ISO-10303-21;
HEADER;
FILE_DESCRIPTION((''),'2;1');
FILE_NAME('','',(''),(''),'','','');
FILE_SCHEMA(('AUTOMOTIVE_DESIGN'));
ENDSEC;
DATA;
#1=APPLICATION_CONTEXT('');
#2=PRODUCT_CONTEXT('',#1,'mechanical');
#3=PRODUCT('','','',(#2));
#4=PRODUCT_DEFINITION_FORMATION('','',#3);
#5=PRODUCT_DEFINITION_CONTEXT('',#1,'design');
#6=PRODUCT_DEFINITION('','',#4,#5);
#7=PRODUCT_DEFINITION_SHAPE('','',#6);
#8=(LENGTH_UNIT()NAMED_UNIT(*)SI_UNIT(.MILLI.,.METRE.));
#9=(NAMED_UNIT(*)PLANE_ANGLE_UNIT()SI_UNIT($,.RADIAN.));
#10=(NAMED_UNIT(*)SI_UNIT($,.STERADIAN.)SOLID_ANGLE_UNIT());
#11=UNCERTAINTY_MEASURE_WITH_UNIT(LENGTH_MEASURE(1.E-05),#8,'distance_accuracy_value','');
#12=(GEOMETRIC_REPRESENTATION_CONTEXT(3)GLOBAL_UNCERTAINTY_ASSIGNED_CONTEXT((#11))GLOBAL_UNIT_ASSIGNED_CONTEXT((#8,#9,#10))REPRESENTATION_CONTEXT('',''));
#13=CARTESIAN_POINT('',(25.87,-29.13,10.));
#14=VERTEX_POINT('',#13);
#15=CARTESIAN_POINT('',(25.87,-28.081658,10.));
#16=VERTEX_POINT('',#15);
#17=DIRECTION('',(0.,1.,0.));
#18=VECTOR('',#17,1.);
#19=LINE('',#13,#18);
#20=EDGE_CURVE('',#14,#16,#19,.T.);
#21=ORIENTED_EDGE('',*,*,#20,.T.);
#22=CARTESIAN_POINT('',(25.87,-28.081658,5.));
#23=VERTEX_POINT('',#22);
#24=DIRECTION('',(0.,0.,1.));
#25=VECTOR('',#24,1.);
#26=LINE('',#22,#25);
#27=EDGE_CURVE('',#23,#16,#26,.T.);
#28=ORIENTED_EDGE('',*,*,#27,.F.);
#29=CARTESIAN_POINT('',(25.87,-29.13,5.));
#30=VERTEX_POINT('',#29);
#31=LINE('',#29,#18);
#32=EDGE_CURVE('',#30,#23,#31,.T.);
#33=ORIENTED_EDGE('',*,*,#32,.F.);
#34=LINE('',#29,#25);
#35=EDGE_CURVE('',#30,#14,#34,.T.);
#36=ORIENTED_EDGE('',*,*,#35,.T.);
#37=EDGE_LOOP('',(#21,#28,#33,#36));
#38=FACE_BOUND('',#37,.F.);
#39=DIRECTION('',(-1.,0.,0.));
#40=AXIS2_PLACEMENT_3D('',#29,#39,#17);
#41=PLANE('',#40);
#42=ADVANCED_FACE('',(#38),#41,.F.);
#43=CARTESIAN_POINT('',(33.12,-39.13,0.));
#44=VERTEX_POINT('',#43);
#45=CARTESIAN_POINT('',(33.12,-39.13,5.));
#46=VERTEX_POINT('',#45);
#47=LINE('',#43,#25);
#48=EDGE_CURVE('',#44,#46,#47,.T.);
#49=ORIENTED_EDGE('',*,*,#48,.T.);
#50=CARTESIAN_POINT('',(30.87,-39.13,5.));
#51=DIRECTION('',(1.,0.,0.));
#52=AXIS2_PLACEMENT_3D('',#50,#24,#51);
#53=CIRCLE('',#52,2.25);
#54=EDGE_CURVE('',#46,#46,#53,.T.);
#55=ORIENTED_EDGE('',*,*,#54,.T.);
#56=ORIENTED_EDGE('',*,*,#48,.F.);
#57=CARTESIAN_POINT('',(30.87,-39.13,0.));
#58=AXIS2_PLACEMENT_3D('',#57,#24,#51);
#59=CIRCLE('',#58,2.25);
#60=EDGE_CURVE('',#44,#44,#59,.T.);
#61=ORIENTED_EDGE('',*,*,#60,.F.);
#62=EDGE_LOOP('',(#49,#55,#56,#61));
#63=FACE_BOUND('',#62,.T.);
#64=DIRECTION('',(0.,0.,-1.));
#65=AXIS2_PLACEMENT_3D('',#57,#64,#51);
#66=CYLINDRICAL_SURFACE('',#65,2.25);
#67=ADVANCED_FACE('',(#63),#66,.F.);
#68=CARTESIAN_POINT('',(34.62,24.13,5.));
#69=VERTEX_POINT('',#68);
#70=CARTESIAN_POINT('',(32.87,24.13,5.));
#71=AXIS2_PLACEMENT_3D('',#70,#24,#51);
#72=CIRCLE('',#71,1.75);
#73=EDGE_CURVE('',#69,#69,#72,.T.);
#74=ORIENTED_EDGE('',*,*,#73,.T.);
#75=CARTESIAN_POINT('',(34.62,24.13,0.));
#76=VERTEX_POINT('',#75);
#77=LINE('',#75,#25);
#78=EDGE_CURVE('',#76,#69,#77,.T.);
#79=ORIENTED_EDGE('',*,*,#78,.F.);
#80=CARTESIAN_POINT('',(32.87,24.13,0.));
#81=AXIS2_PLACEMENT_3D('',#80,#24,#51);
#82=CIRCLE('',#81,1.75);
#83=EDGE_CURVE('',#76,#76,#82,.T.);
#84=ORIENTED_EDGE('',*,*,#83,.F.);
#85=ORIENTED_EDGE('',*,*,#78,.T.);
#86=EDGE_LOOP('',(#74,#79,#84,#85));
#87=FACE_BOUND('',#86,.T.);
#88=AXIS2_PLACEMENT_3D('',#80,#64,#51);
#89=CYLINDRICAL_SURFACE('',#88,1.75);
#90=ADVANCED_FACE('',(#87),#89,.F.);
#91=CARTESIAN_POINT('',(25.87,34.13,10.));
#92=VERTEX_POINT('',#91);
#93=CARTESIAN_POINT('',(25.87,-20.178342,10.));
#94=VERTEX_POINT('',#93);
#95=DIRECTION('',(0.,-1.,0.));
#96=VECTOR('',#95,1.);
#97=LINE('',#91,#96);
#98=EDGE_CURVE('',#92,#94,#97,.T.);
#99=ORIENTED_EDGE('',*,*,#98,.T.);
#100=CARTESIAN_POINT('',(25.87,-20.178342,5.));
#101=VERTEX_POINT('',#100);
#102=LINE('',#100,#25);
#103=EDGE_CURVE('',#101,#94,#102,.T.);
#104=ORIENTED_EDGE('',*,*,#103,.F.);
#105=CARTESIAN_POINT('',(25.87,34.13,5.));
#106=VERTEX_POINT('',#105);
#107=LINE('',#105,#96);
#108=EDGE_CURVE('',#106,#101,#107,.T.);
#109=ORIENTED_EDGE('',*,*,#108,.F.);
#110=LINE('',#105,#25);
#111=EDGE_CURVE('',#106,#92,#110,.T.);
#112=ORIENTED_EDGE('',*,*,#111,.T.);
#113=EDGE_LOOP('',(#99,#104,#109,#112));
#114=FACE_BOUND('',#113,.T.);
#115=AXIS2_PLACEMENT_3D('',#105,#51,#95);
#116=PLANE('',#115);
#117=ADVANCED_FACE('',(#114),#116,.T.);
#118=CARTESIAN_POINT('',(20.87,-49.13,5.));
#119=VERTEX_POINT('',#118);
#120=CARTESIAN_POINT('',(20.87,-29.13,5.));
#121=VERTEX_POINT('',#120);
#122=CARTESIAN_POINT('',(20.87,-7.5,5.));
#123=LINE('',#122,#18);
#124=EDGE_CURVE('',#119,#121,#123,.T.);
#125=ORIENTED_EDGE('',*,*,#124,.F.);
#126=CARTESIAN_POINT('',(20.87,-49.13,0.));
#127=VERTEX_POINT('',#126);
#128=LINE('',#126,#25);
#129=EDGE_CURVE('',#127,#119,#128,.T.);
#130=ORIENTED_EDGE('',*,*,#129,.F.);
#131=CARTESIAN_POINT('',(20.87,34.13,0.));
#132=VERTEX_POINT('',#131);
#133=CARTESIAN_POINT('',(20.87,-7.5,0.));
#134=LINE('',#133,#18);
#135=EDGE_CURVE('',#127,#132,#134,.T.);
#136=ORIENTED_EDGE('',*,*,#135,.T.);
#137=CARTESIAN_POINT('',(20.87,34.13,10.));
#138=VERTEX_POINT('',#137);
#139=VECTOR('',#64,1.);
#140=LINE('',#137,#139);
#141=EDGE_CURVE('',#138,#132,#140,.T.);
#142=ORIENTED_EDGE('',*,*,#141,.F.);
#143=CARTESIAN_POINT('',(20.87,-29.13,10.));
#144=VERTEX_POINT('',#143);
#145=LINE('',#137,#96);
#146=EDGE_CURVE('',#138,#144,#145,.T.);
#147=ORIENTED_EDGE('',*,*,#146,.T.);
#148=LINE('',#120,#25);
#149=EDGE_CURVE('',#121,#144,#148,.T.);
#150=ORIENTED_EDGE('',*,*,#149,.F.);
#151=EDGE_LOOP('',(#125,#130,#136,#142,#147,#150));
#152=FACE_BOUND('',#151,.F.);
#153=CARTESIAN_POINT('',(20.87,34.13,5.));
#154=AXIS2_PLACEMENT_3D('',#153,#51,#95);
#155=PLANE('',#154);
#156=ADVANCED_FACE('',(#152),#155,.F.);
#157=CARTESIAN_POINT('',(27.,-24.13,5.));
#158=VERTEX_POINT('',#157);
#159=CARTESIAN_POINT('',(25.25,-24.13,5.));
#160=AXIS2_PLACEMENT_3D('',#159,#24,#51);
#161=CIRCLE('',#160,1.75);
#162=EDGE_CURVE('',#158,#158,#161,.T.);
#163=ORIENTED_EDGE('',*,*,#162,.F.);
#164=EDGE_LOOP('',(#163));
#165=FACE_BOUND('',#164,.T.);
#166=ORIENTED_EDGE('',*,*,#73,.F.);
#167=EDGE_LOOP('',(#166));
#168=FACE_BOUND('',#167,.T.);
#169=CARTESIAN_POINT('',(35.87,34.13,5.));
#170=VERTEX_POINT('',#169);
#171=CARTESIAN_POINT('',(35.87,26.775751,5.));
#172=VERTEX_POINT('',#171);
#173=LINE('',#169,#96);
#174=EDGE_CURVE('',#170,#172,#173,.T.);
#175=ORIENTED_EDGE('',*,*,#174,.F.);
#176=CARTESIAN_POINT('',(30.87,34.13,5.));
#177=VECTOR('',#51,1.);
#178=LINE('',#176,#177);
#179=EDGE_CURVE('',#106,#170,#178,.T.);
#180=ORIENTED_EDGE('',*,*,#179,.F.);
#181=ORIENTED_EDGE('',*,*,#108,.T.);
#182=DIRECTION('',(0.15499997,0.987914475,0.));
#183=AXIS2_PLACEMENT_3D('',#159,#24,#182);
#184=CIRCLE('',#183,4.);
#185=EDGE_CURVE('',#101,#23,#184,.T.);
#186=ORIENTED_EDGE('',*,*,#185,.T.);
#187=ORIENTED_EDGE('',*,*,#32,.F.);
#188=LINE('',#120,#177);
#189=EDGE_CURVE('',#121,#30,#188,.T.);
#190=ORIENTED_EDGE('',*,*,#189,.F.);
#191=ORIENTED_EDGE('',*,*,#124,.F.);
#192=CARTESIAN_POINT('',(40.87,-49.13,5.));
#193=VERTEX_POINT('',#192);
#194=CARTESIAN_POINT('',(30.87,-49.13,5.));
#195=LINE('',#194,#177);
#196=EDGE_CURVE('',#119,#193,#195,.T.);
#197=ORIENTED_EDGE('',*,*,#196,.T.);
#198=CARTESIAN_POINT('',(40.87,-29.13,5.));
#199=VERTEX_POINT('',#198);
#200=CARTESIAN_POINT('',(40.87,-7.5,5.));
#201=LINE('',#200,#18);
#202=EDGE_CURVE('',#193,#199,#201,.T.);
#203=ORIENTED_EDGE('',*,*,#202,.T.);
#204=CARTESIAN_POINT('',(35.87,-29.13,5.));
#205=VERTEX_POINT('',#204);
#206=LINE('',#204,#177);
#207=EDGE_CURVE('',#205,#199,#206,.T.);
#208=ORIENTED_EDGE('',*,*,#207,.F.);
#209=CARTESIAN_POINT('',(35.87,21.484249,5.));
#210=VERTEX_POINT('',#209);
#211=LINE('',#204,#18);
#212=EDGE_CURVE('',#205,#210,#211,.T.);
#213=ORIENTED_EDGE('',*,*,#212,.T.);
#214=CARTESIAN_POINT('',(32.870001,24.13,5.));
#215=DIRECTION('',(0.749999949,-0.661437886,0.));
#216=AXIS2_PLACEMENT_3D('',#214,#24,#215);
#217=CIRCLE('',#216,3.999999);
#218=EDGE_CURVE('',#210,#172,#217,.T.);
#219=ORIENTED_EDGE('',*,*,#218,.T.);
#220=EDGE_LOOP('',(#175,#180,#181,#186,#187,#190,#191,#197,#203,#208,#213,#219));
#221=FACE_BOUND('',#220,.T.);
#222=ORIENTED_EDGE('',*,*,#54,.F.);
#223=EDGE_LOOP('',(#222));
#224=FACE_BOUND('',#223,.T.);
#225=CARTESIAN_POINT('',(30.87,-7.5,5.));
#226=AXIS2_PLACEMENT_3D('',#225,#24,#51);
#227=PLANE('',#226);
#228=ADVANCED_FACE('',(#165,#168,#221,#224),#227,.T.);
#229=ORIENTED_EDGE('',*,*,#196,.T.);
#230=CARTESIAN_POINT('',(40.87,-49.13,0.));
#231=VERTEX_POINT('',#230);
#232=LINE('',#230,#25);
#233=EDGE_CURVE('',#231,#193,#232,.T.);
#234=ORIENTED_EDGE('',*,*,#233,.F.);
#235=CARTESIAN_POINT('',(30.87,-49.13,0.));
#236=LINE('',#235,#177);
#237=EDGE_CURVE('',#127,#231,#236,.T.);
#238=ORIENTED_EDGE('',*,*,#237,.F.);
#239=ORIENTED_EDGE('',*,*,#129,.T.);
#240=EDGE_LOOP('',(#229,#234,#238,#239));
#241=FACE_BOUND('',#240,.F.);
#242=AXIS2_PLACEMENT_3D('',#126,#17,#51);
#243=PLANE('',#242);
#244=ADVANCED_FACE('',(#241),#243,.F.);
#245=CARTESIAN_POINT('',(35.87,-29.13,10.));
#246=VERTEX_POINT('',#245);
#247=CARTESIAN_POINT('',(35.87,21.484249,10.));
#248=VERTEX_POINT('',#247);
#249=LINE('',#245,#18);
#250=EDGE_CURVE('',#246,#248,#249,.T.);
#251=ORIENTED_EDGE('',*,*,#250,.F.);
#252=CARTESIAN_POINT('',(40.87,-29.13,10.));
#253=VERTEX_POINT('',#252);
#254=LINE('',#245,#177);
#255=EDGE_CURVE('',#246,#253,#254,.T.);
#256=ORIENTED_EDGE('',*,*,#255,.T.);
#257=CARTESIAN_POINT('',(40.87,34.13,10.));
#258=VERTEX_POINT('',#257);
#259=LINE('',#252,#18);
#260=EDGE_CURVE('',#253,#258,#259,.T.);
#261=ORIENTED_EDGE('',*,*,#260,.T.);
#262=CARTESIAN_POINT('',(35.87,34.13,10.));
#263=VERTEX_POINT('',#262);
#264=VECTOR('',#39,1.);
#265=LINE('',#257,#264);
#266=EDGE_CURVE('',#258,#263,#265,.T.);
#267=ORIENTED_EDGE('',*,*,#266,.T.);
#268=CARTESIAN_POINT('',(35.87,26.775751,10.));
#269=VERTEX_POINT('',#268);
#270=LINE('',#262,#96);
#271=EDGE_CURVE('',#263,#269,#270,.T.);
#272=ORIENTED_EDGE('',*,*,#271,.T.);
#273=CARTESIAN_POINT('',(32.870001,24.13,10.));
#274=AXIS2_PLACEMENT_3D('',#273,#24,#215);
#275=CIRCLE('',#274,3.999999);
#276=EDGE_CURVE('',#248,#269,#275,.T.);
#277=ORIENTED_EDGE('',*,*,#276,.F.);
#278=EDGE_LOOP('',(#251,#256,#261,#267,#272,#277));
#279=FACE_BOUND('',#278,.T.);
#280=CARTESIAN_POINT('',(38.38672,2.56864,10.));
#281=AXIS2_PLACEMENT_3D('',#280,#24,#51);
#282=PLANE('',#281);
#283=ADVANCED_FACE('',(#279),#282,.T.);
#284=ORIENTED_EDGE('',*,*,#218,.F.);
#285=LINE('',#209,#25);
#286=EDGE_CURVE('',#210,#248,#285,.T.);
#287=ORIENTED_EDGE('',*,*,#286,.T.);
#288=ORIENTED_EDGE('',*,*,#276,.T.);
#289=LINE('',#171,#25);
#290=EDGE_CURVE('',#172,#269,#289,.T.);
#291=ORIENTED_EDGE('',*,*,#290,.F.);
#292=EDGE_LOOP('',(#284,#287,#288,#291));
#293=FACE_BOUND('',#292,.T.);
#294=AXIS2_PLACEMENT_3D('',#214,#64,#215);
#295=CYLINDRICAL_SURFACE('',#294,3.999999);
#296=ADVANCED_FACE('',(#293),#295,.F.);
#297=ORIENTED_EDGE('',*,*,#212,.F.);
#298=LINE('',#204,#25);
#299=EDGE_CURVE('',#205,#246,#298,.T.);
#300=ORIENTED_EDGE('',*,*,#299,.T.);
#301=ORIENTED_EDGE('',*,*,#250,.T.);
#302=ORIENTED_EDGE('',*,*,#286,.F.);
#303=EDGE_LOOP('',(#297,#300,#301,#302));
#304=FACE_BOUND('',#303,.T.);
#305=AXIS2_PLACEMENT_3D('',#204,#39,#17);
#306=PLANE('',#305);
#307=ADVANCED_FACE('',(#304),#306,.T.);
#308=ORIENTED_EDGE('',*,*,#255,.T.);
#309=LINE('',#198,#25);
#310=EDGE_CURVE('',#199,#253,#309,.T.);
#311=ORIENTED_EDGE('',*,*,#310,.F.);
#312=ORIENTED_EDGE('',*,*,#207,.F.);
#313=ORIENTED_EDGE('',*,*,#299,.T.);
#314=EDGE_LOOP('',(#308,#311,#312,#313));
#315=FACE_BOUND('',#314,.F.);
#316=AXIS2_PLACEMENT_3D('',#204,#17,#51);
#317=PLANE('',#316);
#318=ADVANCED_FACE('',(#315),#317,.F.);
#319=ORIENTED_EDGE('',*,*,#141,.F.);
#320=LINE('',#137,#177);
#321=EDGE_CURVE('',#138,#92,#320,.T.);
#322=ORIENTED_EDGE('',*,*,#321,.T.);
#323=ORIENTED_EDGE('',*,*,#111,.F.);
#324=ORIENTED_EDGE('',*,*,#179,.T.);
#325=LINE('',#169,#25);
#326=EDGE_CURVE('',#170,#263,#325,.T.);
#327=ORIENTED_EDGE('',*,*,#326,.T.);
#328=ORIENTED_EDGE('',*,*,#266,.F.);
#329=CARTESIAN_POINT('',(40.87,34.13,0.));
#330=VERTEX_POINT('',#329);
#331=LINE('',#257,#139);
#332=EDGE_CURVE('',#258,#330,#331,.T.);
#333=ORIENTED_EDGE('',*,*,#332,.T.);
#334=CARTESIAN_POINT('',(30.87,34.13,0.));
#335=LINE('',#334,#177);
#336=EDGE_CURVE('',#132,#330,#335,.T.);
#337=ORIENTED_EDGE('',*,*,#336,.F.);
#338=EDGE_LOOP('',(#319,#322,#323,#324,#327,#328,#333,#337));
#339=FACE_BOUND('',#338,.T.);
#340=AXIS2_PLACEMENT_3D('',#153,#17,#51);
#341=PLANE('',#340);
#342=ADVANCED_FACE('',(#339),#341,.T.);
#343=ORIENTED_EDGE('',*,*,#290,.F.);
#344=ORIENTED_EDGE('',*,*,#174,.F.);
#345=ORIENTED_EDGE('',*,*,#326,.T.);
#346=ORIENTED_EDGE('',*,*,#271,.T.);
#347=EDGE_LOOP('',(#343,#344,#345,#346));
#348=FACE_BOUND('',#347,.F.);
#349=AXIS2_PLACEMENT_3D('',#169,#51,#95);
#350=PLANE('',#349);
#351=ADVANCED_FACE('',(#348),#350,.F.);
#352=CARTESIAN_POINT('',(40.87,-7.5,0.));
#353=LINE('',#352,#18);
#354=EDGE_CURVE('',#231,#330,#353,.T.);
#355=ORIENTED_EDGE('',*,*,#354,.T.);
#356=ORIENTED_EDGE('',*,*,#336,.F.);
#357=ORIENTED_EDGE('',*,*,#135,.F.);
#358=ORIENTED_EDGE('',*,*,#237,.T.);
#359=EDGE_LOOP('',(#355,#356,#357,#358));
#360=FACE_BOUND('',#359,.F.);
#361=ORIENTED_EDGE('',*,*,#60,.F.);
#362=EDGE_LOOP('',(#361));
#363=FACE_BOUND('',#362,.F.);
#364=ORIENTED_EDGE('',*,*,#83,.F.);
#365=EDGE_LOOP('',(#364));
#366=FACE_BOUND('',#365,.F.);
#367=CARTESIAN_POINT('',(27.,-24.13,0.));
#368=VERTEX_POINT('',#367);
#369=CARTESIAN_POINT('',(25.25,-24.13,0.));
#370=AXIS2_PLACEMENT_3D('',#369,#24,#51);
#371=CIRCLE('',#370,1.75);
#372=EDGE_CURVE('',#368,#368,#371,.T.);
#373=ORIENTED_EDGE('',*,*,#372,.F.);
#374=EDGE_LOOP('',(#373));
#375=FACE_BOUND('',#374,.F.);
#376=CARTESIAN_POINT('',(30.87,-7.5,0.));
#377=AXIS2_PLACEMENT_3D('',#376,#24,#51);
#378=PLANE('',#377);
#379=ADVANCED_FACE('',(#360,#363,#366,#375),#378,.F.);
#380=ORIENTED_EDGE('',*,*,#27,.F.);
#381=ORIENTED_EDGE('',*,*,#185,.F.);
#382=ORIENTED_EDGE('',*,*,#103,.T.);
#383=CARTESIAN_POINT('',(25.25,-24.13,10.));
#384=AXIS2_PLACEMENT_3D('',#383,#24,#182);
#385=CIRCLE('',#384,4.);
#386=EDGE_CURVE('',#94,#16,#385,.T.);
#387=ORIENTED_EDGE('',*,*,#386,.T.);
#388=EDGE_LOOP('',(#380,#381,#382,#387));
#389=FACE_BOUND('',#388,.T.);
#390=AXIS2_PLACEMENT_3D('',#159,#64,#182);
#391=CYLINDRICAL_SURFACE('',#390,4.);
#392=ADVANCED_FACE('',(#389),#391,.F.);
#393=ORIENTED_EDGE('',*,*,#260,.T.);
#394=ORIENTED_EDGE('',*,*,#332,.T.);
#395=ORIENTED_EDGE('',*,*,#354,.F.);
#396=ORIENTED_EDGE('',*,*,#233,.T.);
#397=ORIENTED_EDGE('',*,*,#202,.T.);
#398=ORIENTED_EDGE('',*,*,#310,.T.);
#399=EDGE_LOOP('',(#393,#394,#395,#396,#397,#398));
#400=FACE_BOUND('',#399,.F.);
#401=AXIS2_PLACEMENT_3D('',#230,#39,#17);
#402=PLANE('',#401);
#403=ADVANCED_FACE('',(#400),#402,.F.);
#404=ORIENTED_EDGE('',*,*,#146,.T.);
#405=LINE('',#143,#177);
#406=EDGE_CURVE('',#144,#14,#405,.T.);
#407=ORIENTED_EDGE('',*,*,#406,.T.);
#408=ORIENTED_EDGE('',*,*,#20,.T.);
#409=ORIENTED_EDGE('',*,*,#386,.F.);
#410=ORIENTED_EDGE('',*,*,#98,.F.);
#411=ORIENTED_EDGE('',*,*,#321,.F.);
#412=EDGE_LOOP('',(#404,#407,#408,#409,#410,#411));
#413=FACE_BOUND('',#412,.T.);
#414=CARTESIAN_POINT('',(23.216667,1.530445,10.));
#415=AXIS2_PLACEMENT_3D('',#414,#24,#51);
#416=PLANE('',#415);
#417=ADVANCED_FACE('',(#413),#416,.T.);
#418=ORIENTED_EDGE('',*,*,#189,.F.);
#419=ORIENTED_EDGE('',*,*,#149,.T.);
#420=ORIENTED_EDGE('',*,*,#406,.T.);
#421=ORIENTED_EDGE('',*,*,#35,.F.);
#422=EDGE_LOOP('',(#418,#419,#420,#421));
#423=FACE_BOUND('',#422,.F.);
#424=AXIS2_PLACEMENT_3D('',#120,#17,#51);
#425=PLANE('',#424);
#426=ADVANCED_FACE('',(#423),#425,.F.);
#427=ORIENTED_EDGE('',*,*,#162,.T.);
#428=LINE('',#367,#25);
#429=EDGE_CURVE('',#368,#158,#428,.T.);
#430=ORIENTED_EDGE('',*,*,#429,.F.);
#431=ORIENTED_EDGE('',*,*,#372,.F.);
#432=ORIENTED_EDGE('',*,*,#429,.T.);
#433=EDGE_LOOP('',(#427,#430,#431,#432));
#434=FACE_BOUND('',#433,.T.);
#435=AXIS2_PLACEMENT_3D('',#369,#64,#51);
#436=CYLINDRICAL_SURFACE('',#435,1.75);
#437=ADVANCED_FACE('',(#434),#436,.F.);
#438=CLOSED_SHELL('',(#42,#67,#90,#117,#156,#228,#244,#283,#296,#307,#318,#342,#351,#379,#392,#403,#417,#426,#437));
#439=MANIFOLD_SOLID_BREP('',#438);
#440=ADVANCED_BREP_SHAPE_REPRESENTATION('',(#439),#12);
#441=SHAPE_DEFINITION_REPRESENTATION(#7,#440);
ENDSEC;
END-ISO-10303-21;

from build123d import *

# Parameters (mm, degrees)
SKETCH_W     = 20
SKETCH_H     = 83.26
SKETCH_R     = 1.75
SKETCH_R_2   = 2.25
PAD_DEPTH    = 5
PAD001_DEPTH = 5


with BuildPart() as part:
    # Sketch → Pad (new body)
    with BuildSketch(Plane.XY):
        with Locations((30.87, -7.5)):
            Rectangle(SKETCH_W, SKETCH_H)
        with Locations((25.25, -24.13)):
            Circle(SKETCH_R, mode=Mode.SUBTRACT)
        with Locations((32.87, 24.13)):
            Circle(SKETCH_R, mode=Mode.SUBTRACT)
        with Locations((30.87, -39.13)):
            Circle(SKETCH_R_2, mode=Mode.SUBTRACT)
    extrude(amount=PAD_DEPTH)

    # Sketch001 → Pad001 (new body)
    with BuildSketch(Plane.XY.offset(5)):
        with BuildLine():
            Line((20.87, 34.13), (20.87, -29.13))
            Line((20.87, -29.13), (25.87, -29.13))
            Line((25.87, -29.13), (25.87, -28.081658))
            ThreePointArc((25.87, -20.178342), (21.25, -24.13), (25.87, -28.081658))
            Line((25.87, 34.13), (25.87, -20.178342))
            Line((20.87, 34.13), (25.87, 34.13))
        make_face()
        with BuildLine():
            Line((40.87, 34.13), (35.87, 34.13))
            Line((35.87, 34.13), (35.87, 26.775751))
            ThreePointArc((35.87, 21.484249), (36.87, 24.13), (35.87, 26.775751))
            Line((35.87, -29.13), (35.87, 21.484249))
            Line((35.87, -29.13), (40.87, -29.13))
            Line((40.87, -29.13), (40.87, 34.13))
        make_face()
    extrude(amount=PAD001_DEPTH)


solid = part.part
